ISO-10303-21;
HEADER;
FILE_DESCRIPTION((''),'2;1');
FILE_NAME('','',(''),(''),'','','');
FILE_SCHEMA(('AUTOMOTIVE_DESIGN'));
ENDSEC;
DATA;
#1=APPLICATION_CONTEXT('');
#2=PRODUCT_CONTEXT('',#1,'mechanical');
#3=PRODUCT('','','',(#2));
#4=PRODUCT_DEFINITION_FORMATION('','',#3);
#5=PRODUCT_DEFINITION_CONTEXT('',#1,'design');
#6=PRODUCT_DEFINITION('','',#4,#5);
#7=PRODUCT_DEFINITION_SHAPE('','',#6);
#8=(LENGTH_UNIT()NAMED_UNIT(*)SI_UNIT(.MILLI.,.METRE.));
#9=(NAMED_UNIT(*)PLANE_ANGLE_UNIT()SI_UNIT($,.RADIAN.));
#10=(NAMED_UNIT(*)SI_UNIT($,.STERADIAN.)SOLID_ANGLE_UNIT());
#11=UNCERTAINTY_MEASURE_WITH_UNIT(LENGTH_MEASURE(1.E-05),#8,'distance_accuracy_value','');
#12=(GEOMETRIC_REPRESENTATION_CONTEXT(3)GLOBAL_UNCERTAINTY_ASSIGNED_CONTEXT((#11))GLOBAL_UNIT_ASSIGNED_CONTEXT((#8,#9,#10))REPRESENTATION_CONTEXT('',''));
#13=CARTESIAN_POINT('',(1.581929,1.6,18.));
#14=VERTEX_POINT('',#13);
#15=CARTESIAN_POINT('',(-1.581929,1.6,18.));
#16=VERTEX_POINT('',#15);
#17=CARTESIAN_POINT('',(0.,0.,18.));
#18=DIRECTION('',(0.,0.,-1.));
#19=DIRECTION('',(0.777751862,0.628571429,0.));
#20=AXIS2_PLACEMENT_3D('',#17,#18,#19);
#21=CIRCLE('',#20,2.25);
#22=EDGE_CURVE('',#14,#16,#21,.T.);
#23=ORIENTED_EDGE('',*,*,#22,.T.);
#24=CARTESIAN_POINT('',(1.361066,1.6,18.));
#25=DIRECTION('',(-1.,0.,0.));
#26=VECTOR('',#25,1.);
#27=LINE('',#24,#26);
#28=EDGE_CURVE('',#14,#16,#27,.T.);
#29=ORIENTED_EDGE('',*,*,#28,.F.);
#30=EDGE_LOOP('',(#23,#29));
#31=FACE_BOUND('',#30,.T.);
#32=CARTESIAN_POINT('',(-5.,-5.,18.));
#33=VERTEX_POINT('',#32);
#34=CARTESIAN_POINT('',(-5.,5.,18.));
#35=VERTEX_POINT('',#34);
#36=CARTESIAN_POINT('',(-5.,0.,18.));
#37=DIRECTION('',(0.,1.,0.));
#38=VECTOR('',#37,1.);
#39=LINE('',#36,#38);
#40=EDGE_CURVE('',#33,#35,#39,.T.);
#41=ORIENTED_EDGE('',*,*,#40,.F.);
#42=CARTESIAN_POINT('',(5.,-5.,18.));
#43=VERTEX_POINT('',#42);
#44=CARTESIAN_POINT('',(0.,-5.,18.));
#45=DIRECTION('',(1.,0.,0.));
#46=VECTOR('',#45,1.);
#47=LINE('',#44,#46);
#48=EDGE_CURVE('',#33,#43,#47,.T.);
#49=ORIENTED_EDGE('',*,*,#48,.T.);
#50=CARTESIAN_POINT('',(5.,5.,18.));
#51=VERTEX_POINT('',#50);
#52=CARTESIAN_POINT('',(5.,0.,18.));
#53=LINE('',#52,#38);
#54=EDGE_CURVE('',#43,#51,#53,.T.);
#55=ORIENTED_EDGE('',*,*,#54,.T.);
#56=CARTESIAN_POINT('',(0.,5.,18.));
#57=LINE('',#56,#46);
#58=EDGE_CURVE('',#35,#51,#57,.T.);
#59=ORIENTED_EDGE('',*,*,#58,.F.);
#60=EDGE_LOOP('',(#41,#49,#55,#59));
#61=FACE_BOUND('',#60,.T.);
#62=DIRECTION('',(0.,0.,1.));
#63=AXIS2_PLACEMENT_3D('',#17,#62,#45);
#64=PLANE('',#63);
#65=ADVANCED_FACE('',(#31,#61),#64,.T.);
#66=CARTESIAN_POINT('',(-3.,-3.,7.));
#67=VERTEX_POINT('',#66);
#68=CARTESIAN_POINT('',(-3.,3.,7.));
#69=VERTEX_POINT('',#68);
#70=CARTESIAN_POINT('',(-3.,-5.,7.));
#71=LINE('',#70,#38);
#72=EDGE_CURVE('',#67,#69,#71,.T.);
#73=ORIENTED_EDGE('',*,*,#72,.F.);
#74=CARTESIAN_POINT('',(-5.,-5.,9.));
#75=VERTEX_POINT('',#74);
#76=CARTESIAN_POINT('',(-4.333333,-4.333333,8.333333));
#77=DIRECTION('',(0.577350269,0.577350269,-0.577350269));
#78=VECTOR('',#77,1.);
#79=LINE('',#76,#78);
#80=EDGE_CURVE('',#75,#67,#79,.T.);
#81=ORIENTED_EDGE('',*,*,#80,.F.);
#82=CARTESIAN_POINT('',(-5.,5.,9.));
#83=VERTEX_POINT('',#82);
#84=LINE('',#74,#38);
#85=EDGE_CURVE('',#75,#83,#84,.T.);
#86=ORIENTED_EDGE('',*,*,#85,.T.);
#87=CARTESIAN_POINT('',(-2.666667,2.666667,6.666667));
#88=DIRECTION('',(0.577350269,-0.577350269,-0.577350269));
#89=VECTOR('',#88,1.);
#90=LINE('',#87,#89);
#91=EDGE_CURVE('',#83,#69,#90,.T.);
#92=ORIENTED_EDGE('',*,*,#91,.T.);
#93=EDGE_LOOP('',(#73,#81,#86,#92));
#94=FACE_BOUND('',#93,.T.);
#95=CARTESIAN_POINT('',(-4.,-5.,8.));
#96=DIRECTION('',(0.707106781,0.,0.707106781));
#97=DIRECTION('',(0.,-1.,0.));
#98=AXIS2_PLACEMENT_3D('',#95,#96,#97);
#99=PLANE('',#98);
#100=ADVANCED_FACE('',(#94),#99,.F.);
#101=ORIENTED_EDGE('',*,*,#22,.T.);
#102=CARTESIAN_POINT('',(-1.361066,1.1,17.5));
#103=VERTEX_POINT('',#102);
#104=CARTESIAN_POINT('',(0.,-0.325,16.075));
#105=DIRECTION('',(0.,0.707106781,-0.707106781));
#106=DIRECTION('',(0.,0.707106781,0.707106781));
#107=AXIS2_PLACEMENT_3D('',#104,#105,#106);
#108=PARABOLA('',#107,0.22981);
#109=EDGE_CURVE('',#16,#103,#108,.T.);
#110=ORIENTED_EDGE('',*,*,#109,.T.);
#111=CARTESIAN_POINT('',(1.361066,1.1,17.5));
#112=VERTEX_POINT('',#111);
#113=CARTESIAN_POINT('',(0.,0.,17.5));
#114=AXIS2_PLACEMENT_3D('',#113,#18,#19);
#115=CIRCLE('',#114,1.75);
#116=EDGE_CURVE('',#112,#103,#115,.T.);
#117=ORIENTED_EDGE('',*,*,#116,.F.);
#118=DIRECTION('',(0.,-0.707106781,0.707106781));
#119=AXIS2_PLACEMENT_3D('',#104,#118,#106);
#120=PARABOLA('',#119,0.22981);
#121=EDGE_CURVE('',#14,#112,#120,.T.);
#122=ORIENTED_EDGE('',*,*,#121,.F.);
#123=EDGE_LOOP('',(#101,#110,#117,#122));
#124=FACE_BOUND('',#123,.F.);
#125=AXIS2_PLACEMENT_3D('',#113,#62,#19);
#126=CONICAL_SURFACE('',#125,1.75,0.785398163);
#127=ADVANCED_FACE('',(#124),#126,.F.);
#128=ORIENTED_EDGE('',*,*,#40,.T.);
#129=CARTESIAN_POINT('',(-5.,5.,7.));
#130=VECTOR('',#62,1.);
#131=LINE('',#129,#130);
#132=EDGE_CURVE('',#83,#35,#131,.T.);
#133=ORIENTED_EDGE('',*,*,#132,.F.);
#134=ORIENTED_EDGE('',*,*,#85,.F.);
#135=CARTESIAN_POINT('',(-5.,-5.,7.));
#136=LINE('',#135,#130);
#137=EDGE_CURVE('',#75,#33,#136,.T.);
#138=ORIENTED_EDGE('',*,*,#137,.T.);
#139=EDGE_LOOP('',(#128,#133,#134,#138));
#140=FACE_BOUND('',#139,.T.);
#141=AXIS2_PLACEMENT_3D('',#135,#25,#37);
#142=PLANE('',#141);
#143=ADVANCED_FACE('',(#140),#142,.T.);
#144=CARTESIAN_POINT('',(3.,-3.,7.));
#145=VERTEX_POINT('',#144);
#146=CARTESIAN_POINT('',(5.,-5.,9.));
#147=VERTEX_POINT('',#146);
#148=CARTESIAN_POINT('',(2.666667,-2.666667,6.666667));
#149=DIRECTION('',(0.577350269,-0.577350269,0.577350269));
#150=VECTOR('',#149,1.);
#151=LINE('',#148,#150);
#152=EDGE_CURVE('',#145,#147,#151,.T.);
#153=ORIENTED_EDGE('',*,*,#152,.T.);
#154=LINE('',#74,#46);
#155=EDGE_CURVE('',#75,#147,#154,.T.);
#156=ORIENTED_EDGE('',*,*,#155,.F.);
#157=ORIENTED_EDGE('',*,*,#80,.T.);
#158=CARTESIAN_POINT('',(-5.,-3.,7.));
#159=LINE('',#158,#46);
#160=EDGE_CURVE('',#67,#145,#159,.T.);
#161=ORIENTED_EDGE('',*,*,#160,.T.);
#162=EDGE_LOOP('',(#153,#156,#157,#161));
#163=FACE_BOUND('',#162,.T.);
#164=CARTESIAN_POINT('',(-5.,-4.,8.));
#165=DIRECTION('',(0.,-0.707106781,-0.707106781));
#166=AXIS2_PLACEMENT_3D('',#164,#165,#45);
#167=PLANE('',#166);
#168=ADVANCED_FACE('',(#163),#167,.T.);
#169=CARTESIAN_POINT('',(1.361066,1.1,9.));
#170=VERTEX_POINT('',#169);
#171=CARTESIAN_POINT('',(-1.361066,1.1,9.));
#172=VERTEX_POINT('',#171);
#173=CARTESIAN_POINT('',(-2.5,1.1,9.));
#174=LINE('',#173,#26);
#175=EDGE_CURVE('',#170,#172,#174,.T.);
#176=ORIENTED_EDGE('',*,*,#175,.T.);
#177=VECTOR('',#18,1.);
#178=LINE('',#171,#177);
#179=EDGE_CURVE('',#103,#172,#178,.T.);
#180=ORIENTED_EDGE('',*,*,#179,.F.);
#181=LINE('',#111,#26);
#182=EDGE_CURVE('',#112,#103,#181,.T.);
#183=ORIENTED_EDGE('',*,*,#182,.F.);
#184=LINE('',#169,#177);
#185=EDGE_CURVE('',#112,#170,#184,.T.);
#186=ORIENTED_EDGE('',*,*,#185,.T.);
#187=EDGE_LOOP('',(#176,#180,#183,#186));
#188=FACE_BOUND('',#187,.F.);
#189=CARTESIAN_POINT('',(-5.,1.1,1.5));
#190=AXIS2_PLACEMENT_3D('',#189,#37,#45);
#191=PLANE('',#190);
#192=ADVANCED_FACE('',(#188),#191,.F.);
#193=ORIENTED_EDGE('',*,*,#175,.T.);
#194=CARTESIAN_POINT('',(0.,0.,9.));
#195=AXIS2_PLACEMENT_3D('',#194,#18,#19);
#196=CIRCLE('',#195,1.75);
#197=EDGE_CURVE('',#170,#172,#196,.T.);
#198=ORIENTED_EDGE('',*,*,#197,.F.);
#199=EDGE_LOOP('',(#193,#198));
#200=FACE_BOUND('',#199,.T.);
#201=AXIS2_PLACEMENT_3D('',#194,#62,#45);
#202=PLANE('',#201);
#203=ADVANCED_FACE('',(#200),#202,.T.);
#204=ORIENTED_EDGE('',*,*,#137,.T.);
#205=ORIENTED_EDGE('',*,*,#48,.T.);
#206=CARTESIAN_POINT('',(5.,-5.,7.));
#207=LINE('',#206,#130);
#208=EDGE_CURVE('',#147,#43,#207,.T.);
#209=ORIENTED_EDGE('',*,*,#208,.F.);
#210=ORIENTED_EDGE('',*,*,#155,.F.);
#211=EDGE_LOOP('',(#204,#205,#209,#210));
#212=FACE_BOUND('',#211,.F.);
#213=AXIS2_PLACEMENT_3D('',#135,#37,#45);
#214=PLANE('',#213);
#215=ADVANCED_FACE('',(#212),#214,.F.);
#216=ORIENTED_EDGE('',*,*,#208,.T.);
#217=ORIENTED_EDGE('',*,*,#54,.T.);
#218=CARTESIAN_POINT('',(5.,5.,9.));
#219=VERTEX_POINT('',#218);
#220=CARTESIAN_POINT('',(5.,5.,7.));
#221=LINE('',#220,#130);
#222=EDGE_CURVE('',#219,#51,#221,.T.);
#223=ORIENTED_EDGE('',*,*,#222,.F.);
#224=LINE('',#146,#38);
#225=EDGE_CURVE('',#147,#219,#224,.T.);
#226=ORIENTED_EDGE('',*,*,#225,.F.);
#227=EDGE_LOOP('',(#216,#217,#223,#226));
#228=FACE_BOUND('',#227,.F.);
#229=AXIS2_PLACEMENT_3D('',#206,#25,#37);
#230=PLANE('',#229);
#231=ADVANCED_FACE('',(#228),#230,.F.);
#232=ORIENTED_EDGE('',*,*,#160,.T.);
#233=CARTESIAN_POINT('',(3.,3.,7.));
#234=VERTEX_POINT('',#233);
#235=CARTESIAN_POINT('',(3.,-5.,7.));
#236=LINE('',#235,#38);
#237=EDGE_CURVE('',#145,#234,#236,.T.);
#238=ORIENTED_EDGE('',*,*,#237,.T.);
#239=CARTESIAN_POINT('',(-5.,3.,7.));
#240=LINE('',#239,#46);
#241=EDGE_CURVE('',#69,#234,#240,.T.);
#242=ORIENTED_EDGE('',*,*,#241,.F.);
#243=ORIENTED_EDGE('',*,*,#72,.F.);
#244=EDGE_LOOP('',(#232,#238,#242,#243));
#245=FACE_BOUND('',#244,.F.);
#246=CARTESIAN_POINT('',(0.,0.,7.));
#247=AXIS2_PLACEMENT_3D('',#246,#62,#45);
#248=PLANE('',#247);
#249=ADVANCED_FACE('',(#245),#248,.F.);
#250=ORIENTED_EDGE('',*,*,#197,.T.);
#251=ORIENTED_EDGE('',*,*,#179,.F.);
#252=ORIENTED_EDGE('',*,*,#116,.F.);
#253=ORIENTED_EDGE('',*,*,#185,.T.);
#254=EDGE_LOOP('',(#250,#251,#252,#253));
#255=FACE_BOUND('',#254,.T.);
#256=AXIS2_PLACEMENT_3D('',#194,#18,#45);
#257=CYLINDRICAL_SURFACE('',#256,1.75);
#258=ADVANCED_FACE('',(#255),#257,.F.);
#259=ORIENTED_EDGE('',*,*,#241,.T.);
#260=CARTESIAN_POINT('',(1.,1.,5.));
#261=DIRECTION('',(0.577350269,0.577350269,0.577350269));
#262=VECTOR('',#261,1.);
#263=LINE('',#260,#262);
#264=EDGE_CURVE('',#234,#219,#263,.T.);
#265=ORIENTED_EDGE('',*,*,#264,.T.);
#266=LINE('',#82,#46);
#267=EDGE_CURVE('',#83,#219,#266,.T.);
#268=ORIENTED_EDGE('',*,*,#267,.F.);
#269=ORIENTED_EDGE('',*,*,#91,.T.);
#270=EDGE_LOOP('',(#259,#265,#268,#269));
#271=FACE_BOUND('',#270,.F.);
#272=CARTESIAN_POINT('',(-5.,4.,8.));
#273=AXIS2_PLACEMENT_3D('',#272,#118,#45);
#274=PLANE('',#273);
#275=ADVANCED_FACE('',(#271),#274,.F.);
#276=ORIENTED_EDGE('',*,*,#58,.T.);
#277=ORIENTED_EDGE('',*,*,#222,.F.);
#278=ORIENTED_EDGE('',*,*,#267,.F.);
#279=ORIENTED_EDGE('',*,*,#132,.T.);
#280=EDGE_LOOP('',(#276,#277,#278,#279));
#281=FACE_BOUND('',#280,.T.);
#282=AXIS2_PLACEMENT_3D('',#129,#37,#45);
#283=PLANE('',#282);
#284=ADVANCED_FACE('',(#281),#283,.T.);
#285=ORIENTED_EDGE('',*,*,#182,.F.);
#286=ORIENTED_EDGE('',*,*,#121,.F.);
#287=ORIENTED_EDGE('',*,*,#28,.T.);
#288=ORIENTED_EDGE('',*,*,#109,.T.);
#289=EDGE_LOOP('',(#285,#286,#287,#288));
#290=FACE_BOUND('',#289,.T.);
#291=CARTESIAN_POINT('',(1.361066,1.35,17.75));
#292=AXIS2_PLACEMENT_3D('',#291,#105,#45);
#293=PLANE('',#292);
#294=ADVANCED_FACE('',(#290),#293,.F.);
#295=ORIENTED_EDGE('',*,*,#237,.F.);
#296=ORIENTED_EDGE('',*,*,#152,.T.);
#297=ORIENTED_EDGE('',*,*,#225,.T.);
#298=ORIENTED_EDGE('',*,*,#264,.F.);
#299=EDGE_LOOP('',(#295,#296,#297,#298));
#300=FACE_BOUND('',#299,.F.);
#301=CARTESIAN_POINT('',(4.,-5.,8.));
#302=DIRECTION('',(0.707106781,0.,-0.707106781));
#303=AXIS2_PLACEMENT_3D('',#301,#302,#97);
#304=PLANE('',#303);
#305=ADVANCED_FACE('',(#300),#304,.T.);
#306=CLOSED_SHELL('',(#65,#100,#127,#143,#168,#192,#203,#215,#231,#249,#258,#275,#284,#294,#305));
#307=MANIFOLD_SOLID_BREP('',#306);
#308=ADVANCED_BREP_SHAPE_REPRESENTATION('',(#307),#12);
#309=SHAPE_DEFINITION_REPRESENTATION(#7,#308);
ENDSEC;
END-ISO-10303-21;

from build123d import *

# Parameters (mm, degrees)
BOX406008008_W     = 10
BOX406008008_H     = 10
BOX406008008_DEPTH = 19
CYLINDER079_R      = 1.75
CYLINDER079_DEPTH  = 17
BOX406008009_W     = 10
BOX406008009_H     = 10
BOX406008009_DEPTH = 11
CHAMFER004_SIZE    = 2
CHAMFER008_SIZE    = 0.5


with BuildPart() as cube343:
    # Box406008008 → Box406008008 (new body)
    with BuildSketch(Plane(origin=(-5, 1.1, 1.5), x_dir=(1, 0, 0), z_dir=(0, 0, 1))):
        with Locations((5, 5)):
            Rectangle(BOX406008008_W, BOX406008008_H)
    extrude(amount=BOX406008008_DEPTH)


with BuildPart() as motor_shaft_hole:
    # Cylinder079 → Cylinder079 (new body)
    with BuildSketch(Plane.XY.offset(9)):
        Circle(CYLINDER079_R)
    extrude(amount=CYLINDER079_DEPTH)

    # Cut064: cut Cube343
    add(cube343.part, mode=Mode.SUBTRACT)


with BuildPart() as chamfer008:
    # Box406008009 → Box406008009 (new body)
    with BuildSketch(Plane(origin=(-5, -5, 7), x_dir=(1, 0, 0), z_dir=(0, 0, 1))):
        with Locations((5, 5)):
            Rectangle(BOX406008009_W, BOX406008009_H)
    extrude(amount=BOX406008009_DEPTH)

    # Cut065: cut Motor Shaft Hole
    add(motor_shaft_hole.part, mode=Mode.SUBTRACT)

    # Chamfer004
    chamfer004_edges = [chamfer008.edges().sort_by_distance(p)[0] for p in [
        (-5, 0, 7),
        (0, -5, 7),
        (0, 5, 7),
        (5, 0, 7),
    ]]
    chamfer(chamfer004_edges, length=CHAMFER004_SIZE)

    # Chamfer008
    chamfer008_edges = [chamfer008.edges().sort_by_distance(p)[0] for p in [
        (1.649904, 0.583367, 18),
        (0, 1.1, 18),
        (-0.583367, -1.649904, 18),
    ]]
    chamfer(chamfer008_edges, length=CHAMFER008_SIZE)


solid = chamfer008.part
